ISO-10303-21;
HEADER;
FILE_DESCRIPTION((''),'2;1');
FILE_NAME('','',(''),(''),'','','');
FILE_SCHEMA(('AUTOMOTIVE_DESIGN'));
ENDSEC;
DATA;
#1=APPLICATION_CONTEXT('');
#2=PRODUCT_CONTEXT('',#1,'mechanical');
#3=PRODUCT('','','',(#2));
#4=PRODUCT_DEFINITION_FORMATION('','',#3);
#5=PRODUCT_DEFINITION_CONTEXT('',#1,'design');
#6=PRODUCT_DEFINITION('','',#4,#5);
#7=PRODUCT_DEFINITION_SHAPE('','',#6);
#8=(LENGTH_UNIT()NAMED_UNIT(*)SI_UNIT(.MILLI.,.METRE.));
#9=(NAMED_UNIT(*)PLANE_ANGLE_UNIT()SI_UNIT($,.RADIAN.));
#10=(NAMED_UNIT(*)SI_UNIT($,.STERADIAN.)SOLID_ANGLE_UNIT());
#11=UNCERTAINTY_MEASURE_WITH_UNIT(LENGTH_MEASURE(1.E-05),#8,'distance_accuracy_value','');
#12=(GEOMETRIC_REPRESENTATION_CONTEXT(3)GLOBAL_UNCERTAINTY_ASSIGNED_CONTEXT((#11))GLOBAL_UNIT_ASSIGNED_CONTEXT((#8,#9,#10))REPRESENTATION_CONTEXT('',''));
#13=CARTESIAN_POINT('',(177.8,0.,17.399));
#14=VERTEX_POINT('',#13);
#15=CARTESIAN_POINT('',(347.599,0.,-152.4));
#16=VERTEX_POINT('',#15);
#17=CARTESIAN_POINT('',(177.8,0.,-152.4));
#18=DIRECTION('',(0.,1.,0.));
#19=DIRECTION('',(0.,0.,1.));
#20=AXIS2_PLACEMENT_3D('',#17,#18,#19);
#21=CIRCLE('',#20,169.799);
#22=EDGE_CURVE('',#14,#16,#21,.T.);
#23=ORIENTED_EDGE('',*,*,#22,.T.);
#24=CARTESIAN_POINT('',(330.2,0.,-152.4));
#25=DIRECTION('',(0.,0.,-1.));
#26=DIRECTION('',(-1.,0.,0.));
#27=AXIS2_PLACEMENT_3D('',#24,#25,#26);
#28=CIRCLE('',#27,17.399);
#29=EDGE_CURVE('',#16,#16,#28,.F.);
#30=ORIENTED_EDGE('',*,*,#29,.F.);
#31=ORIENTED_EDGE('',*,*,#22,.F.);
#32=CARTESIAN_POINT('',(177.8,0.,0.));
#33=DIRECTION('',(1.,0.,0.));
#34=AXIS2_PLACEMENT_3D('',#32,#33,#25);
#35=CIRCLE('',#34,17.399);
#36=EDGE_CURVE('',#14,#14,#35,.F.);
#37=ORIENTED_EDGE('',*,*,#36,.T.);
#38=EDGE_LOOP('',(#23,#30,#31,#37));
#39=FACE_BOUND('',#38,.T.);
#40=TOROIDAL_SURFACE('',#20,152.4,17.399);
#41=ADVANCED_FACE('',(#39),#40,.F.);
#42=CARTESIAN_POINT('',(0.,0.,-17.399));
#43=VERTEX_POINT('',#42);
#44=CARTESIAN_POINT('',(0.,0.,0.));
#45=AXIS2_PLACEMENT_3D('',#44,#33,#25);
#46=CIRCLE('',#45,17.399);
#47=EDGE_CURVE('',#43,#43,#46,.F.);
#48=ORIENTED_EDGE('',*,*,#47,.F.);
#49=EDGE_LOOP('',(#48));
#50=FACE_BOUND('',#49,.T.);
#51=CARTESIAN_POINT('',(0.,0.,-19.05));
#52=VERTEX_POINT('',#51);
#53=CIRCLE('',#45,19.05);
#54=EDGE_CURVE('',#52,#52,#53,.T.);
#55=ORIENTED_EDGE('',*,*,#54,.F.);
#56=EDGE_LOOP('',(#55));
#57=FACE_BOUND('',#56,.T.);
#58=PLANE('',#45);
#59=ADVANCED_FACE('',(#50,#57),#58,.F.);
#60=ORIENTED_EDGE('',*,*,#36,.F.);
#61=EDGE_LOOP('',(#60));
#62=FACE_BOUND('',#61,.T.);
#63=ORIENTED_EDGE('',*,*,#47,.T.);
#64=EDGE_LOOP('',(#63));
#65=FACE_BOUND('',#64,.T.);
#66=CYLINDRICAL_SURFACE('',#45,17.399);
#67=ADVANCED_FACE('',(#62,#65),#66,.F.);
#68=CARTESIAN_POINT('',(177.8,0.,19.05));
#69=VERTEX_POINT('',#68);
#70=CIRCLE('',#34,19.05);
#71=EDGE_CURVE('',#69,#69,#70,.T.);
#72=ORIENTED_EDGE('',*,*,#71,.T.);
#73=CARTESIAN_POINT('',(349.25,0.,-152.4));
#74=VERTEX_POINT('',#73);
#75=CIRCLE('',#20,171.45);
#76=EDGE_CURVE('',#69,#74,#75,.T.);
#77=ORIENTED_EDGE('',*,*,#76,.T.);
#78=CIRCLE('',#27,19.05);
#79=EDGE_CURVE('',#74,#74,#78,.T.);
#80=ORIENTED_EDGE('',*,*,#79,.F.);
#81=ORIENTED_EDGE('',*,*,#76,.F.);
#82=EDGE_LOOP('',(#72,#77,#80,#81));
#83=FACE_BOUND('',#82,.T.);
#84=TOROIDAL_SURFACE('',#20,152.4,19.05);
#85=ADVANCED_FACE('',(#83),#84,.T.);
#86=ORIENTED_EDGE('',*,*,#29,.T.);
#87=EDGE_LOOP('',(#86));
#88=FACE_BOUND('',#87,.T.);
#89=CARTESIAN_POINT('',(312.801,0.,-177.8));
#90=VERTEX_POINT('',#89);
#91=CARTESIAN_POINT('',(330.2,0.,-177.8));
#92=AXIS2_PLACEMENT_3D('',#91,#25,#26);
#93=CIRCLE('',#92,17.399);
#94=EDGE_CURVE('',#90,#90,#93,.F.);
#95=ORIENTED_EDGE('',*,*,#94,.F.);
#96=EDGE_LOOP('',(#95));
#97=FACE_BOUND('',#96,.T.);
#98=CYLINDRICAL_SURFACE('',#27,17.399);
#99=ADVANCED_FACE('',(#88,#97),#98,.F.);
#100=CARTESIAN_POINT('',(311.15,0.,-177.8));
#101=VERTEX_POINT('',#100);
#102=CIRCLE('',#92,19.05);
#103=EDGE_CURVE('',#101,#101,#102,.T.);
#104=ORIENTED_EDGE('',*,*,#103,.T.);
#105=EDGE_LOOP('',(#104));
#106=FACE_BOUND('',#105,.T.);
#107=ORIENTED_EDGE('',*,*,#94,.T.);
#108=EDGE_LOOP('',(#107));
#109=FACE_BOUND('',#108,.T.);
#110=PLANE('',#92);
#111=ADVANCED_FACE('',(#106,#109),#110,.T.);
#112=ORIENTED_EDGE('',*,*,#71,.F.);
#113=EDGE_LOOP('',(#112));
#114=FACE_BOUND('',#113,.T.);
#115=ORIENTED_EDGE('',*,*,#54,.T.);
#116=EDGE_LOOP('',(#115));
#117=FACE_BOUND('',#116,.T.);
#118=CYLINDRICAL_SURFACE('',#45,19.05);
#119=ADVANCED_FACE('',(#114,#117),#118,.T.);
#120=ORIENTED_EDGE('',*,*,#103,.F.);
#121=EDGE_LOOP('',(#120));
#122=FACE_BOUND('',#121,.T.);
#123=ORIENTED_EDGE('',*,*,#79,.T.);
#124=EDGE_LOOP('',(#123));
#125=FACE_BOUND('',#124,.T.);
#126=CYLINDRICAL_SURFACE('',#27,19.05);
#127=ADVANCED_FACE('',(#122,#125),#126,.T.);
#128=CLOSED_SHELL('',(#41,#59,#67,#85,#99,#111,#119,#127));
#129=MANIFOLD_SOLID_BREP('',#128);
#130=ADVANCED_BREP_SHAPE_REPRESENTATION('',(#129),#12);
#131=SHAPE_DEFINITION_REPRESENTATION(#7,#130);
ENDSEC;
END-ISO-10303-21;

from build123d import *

# Parameters (mm, degrees)
SKETCH2_R   = 19.05
SKETCH2_R_2 = 17.399


with BuildPart() as part:
    # Sweep1: sweep along a path in Sketch1
    with BuildLine(Plane(origin=(0, 0, 0), x_dir=(1, 0, 0), z_dir=(0, 1, 0))) as sweep1_path:
        Line((0, 0), (177.8, 0))
        ThreePointArc((177.8, 0), (285.563073453, 44.636926547), (330.2, 152.4))
        Line((330.2, 152.4), (330.2, 177.8))
    # Sketch2 → Sweep1 (sweep)
    with BuildSketch(Plane(origin=(0, 0, 0), x_dir=(0, 0, -1), z_dir=(1, 0, 0))):
        Circle(SKETCH2_R)
        Circle(SKETCH2_R_2, mode=Mode.SUBTRACT)
    sweep(path=sweep1_path.line)


solid = part.part
